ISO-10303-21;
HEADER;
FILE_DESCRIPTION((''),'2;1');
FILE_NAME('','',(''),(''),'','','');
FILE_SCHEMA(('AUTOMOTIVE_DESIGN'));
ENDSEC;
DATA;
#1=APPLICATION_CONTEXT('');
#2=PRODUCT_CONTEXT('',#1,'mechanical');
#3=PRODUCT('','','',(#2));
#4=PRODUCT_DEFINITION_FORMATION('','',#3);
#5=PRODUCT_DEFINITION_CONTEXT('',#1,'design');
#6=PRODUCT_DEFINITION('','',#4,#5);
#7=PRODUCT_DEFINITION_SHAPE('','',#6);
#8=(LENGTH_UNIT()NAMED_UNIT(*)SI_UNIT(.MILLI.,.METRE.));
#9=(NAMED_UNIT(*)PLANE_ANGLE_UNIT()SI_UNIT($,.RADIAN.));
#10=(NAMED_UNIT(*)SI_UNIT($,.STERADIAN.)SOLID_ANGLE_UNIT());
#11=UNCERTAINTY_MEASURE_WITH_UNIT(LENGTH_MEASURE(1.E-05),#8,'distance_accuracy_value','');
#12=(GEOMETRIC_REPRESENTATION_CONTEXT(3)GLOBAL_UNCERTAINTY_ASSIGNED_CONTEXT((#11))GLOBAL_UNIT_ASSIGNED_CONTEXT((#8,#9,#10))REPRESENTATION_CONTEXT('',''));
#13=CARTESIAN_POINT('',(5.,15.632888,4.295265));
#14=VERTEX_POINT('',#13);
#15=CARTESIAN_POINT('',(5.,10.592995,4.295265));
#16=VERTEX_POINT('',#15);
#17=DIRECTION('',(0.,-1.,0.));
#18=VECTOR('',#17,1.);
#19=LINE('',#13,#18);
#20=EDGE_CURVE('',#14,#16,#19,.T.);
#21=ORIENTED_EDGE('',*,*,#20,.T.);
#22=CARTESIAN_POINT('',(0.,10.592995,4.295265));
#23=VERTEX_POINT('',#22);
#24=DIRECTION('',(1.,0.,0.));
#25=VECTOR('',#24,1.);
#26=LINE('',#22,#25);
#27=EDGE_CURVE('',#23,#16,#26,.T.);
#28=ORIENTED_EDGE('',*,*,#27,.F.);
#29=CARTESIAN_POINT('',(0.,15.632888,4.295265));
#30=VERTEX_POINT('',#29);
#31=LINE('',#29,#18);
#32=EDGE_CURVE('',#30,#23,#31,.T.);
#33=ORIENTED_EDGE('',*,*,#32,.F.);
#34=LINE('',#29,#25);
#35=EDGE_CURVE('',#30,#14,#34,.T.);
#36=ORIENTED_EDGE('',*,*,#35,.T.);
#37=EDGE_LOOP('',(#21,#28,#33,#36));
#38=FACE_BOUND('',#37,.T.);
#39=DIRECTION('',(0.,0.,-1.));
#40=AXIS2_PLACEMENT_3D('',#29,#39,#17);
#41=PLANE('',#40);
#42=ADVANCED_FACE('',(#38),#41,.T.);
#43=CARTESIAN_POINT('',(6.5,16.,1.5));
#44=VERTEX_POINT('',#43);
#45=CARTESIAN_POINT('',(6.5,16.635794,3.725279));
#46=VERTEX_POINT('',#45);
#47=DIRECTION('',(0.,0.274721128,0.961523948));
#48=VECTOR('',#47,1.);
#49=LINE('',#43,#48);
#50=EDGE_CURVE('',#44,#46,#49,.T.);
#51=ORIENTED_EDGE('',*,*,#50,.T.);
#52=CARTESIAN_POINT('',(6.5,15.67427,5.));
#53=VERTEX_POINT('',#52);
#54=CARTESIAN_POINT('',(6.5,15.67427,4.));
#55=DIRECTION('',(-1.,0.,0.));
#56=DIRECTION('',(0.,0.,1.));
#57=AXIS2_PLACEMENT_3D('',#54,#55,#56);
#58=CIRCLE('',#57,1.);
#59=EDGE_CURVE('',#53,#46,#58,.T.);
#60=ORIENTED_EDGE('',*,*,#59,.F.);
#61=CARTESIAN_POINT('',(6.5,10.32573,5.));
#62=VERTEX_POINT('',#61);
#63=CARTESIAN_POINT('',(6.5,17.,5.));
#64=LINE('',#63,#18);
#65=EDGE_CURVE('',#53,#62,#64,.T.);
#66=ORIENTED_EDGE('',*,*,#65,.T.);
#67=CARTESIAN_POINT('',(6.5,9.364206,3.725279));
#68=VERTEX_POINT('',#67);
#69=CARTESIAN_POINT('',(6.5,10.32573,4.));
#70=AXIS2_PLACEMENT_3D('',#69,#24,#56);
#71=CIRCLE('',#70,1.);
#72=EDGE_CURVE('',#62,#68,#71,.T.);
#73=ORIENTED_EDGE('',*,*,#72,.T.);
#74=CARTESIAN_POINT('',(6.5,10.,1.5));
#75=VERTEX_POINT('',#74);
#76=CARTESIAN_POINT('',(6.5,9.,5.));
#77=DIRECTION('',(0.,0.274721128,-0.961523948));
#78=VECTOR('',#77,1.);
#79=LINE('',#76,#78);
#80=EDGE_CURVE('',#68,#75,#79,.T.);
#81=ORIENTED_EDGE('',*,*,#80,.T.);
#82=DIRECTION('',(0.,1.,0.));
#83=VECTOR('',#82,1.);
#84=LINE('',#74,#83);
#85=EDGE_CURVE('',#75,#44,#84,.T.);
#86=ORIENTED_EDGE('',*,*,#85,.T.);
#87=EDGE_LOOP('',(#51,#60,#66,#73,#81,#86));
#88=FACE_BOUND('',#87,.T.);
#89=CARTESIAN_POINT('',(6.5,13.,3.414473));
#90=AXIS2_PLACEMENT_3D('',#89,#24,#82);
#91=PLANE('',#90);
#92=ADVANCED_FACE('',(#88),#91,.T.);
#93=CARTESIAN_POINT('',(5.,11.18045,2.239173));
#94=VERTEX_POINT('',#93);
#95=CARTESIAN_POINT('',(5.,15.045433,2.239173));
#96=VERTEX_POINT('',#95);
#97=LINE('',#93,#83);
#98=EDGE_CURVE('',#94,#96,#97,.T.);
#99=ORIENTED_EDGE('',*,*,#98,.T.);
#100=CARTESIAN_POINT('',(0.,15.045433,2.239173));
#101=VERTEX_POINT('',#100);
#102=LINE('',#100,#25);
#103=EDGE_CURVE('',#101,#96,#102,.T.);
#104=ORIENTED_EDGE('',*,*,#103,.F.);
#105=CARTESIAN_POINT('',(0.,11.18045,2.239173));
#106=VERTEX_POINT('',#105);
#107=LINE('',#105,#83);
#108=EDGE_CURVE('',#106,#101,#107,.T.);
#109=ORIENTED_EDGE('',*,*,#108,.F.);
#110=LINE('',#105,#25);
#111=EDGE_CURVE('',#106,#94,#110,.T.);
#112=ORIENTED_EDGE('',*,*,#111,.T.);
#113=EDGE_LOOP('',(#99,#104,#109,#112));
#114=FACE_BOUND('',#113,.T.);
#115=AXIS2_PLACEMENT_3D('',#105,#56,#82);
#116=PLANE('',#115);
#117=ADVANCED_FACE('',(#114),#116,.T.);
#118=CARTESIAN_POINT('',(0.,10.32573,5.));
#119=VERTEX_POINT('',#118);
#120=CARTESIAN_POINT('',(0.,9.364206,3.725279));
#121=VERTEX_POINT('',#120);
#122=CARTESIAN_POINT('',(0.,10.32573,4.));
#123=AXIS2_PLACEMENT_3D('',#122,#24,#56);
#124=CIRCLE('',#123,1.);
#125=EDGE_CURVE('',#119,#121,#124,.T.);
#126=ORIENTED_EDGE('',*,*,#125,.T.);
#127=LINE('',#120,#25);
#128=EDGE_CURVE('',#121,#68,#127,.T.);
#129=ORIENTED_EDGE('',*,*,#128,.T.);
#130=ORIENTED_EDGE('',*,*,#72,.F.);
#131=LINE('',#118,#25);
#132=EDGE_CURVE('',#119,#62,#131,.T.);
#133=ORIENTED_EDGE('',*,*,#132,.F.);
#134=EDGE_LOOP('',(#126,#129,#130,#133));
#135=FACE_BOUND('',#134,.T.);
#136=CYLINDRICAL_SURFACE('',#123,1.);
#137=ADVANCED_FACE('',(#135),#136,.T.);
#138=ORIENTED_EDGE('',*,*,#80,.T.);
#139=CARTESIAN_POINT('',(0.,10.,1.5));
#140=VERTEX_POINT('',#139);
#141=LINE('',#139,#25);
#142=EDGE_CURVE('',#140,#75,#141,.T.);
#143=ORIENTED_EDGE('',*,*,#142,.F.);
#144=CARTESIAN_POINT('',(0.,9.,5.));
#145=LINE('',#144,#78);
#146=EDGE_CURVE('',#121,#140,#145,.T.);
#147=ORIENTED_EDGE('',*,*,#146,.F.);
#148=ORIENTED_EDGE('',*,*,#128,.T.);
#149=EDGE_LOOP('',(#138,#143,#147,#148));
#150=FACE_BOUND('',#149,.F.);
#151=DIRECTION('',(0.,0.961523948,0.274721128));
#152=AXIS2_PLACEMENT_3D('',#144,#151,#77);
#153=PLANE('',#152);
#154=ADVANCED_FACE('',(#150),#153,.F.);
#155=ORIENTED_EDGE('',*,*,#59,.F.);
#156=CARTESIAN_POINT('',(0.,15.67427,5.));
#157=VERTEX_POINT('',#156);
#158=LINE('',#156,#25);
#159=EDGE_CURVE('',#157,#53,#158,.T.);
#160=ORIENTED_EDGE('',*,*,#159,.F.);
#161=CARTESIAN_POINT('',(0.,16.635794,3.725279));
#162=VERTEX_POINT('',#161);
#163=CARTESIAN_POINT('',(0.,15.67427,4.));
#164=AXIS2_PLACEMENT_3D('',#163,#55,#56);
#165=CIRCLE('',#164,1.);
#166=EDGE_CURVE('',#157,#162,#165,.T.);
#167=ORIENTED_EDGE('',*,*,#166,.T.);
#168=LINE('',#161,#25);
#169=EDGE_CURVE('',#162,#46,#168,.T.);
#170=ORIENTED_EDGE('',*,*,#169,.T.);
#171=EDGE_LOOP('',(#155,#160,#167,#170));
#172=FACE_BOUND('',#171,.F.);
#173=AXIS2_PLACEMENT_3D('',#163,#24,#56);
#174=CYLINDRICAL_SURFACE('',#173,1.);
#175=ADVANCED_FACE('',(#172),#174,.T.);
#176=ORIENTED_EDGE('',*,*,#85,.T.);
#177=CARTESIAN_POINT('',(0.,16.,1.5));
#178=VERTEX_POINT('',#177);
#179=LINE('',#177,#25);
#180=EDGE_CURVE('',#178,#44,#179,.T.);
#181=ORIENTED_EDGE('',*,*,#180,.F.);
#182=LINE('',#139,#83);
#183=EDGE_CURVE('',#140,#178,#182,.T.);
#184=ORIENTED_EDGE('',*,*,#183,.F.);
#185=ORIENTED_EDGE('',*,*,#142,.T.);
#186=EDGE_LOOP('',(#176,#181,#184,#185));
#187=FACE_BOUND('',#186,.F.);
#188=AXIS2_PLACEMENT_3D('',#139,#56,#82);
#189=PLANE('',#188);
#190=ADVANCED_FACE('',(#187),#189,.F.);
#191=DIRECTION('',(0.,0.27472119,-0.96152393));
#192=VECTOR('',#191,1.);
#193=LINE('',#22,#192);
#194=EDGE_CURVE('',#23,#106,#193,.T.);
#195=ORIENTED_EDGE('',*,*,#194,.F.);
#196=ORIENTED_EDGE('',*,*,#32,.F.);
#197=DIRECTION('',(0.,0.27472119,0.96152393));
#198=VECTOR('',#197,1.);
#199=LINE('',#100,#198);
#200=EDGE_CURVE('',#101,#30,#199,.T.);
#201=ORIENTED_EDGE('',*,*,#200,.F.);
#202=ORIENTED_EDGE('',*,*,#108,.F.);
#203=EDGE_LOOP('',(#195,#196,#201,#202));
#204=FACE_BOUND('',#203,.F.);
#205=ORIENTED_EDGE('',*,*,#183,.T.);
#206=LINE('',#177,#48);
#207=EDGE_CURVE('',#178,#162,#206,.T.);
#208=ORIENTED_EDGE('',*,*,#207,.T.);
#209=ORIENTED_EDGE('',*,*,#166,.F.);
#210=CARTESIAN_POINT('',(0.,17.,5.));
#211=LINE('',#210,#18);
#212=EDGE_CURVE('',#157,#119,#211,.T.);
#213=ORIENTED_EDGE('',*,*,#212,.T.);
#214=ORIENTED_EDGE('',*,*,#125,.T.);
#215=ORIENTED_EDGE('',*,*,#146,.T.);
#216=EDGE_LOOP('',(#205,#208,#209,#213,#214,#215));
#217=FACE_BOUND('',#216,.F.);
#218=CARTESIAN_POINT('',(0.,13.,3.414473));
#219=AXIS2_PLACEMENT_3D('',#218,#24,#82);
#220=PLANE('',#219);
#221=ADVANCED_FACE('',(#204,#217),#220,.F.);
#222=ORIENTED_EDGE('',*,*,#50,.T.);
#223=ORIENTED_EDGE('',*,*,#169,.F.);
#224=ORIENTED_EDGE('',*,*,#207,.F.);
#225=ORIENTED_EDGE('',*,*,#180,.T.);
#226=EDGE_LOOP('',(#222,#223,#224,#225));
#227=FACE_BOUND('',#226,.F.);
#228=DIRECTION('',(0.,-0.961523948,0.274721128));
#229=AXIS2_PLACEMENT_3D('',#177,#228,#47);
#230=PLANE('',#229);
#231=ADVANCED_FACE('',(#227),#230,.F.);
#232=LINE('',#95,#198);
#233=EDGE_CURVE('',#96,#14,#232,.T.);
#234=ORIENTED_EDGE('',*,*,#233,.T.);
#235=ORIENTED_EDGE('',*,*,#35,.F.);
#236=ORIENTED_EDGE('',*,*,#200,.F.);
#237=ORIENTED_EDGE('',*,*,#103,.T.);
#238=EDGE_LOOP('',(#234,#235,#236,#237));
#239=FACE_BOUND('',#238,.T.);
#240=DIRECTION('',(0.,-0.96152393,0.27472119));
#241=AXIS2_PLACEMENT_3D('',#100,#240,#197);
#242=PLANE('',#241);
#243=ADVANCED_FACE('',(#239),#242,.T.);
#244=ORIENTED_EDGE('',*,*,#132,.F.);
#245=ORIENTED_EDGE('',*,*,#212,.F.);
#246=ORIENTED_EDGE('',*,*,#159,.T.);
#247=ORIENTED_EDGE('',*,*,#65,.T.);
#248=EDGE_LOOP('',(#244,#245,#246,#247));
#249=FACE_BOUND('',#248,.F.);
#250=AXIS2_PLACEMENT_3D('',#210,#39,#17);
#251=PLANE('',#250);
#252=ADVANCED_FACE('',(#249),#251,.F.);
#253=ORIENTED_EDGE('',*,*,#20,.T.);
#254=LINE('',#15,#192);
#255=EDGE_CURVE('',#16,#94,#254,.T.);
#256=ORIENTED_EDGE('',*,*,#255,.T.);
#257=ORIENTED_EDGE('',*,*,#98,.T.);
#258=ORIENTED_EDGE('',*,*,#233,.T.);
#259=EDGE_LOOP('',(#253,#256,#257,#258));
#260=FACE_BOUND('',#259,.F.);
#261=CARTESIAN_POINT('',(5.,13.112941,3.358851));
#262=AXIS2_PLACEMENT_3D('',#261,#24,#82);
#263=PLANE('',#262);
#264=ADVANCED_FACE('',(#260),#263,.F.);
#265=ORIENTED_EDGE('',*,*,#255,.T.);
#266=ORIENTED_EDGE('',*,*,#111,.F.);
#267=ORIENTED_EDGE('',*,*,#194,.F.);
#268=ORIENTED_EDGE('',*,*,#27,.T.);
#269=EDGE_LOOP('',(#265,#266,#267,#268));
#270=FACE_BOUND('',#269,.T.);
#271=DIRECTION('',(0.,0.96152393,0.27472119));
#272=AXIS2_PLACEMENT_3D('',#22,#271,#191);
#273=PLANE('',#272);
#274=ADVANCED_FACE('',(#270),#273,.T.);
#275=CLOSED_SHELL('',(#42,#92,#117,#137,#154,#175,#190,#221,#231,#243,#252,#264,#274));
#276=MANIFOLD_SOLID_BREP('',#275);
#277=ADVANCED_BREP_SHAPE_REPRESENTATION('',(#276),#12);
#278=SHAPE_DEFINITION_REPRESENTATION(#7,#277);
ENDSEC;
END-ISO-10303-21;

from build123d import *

# Parameters (mm, degrees)
EXTRUDE_SKETCH003_DEPTH = 6.5
POCKET001_DEPTH         = 5
FILLET002_R             = 1


with BuildPart() as part:
    # Sketch003 → Extrude_Sketch003 (new body)
    with BuildSketch(Plane(origin=(0, 0, 0), x_dir=(0, -1, 0), z_dir=(-1, 0, 0))):
        Polygon((-17, 5), (-9, 5), (-10, 1.5), (-16, 1.5), align=None)
    extrude(amount=-EXTRUDE_SKETCH003_DEPTH)

    # Sketch004 → Pocket001 (cut)
    with BuildSketch(Plane(origin=(0, 0, 0), x_dir=(0, -1, 0), z_dir=(-1, 0, 0))):
        Polygon((-15.632888, 4.295265), (-10.592995, 4.295265), (-11.18045, 2.239173), (-15.045433, 2.239173), align=None)
    extrude(amount=-POCKET001_DEPTH, mode=Mode.SUBTRACT)

    # Fillet002
    fillet002_edges = [part.edges().sort_by_distance(p)[0] for p in [
        (3.25, 17, 5),
        (3.25, 9, 5),
    ]]
    fillet(fillet002_edges, radius=FILLET002_R)


solid = part.part
